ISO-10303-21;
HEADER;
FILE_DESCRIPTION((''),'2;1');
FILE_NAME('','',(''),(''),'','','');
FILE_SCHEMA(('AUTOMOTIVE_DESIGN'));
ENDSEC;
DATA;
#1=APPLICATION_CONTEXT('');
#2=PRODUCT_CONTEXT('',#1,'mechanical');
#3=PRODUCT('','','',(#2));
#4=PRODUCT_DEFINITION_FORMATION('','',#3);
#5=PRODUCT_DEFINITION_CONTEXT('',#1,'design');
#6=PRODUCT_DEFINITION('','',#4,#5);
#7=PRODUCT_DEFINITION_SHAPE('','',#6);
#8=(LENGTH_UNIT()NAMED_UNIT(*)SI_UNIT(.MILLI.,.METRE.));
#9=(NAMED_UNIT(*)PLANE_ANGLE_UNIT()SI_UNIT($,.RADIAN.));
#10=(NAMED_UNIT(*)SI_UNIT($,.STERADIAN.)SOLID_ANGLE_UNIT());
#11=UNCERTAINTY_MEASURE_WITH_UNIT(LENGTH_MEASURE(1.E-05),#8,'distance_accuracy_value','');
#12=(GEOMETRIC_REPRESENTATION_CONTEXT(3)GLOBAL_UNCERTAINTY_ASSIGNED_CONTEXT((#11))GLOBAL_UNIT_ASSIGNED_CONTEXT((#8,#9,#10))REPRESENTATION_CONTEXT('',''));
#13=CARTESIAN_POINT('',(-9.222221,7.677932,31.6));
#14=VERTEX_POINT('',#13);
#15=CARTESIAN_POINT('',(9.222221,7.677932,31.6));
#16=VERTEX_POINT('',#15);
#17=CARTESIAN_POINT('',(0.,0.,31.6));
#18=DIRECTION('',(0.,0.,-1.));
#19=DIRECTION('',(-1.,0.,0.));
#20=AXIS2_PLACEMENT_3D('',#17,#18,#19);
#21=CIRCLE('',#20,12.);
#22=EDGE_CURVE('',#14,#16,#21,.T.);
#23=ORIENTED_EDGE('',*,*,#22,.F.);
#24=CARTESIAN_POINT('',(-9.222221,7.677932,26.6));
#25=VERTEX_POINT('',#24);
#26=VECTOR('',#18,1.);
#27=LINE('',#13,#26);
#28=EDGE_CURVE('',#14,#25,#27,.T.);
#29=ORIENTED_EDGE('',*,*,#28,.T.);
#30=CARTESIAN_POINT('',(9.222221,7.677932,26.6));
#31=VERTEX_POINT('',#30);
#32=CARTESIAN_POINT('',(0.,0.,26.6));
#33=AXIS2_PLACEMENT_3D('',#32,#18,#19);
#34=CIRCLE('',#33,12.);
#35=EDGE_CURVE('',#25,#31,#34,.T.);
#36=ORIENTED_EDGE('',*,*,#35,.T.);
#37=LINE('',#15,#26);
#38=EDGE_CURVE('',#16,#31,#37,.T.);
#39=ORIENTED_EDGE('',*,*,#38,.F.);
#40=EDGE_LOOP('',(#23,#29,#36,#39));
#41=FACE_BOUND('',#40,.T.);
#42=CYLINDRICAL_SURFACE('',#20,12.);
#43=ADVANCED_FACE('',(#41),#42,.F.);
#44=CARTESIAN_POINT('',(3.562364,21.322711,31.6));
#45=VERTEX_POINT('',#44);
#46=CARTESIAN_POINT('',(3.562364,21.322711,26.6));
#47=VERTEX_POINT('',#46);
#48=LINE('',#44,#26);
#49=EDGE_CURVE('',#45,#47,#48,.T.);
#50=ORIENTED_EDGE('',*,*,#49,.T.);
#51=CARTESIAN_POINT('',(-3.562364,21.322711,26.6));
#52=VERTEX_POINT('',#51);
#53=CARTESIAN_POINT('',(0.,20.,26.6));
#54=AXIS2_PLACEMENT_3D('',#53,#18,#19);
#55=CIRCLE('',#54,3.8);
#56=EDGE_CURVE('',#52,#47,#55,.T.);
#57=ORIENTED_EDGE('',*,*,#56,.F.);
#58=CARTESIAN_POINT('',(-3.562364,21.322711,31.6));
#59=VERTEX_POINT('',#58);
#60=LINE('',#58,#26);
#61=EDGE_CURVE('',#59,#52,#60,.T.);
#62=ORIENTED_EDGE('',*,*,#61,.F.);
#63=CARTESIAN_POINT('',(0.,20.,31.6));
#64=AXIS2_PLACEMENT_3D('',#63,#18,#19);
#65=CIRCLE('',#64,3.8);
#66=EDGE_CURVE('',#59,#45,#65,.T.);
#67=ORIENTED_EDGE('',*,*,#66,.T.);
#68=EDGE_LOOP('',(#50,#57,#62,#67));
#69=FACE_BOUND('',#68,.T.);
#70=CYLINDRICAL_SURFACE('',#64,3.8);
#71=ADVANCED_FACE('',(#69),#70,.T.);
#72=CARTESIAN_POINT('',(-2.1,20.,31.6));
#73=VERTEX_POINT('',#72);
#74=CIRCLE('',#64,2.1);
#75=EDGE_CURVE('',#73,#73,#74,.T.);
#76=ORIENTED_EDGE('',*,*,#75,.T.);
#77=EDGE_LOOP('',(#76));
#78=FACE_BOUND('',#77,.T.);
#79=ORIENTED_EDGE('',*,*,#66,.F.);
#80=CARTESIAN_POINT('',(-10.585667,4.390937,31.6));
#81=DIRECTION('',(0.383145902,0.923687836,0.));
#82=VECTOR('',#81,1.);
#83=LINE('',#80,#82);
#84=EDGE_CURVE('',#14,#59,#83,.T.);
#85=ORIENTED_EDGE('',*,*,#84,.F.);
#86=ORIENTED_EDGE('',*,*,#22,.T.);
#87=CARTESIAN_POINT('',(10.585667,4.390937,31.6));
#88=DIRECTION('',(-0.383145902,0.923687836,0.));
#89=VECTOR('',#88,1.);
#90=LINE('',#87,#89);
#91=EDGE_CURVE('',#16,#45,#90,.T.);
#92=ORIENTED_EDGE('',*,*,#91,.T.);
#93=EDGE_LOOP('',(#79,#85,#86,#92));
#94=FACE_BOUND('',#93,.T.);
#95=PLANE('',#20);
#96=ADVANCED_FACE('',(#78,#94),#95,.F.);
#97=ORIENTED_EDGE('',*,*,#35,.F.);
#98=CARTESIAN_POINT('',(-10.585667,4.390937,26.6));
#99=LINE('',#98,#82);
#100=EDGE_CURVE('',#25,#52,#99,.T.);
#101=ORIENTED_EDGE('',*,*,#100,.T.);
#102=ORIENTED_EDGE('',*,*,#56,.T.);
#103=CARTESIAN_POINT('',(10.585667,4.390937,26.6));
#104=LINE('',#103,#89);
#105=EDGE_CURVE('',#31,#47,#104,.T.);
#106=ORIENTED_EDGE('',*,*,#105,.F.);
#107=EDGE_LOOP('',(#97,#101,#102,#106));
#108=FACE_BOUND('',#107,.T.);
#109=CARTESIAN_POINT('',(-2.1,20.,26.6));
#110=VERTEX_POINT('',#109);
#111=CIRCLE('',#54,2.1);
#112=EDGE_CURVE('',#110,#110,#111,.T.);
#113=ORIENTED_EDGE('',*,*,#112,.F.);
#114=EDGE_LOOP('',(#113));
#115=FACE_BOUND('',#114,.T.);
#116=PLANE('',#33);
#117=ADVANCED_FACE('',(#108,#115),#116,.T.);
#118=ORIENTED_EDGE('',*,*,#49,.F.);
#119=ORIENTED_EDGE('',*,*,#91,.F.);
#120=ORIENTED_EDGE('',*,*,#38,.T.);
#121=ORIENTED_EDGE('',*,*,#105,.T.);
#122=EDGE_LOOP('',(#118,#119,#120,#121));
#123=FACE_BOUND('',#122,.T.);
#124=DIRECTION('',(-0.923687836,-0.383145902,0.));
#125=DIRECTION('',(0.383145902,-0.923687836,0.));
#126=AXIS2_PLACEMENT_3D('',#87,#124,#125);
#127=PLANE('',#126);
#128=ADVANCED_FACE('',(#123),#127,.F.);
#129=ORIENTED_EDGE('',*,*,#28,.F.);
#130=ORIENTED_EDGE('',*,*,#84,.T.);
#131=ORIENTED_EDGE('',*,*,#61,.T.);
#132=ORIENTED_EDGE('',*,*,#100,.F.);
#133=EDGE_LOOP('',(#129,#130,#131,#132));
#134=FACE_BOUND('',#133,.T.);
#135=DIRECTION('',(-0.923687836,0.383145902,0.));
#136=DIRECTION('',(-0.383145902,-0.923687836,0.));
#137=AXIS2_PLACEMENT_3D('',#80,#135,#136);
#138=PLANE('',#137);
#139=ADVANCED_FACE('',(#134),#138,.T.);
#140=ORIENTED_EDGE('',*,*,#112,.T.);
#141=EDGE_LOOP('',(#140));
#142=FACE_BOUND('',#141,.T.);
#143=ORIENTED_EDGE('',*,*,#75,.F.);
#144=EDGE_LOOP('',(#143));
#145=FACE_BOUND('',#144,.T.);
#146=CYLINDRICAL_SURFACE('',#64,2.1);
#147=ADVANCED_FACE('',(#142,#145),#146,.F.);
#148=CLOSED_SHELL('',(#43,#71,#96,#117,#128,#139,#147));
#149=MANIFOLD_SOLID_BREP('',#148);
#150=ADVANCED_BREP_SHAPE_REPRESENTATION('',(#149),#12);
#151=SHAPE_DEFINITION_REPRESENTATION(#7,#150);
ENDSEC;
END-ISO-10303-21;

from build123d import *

# Parameters (mm, degrees)
DODANIE_WYCI_GNI_CIE1_START = -9.7
SZKIC2_R                    = 2.1
DODANIE_WYCI_GNI_CIE1_DEPTH = 5


with BuildPart() as part:
    # Szkic2 → Dodanie-wyciągnięcie1 (new body)
    with BuildSketch(Plane(origin=(0, 0, 16.9), x_dir=(-1, 0, 0), z_dir=(0, 0, -1)).offset(DODANIE_WYCI_GNI_CIE1_START)):
        with BuildLine():
            ThreePointArc((-9.222220763, 7.677932287), (0, 12), (9.222220763, 7.677932287))
            Line((9.222220763, 7.677932287), (3.562363692, 21.322711203))
            ThreePointArc((3.562363692, 21.322711203), (0, 23.8), (-3.562363692, 21.322711203))
            Line((-3.562363692, 21.322711203), (-9.222220763, 7.677932287))
        make_face()
        with Locations((0, 20)):
            Circle(SZKIC2_R, mode=Mode.SUBTRACT)
    extrude(amount=-DODANIE_WYCI_GNI_CIE1_DEPTH)


solid = part.part
